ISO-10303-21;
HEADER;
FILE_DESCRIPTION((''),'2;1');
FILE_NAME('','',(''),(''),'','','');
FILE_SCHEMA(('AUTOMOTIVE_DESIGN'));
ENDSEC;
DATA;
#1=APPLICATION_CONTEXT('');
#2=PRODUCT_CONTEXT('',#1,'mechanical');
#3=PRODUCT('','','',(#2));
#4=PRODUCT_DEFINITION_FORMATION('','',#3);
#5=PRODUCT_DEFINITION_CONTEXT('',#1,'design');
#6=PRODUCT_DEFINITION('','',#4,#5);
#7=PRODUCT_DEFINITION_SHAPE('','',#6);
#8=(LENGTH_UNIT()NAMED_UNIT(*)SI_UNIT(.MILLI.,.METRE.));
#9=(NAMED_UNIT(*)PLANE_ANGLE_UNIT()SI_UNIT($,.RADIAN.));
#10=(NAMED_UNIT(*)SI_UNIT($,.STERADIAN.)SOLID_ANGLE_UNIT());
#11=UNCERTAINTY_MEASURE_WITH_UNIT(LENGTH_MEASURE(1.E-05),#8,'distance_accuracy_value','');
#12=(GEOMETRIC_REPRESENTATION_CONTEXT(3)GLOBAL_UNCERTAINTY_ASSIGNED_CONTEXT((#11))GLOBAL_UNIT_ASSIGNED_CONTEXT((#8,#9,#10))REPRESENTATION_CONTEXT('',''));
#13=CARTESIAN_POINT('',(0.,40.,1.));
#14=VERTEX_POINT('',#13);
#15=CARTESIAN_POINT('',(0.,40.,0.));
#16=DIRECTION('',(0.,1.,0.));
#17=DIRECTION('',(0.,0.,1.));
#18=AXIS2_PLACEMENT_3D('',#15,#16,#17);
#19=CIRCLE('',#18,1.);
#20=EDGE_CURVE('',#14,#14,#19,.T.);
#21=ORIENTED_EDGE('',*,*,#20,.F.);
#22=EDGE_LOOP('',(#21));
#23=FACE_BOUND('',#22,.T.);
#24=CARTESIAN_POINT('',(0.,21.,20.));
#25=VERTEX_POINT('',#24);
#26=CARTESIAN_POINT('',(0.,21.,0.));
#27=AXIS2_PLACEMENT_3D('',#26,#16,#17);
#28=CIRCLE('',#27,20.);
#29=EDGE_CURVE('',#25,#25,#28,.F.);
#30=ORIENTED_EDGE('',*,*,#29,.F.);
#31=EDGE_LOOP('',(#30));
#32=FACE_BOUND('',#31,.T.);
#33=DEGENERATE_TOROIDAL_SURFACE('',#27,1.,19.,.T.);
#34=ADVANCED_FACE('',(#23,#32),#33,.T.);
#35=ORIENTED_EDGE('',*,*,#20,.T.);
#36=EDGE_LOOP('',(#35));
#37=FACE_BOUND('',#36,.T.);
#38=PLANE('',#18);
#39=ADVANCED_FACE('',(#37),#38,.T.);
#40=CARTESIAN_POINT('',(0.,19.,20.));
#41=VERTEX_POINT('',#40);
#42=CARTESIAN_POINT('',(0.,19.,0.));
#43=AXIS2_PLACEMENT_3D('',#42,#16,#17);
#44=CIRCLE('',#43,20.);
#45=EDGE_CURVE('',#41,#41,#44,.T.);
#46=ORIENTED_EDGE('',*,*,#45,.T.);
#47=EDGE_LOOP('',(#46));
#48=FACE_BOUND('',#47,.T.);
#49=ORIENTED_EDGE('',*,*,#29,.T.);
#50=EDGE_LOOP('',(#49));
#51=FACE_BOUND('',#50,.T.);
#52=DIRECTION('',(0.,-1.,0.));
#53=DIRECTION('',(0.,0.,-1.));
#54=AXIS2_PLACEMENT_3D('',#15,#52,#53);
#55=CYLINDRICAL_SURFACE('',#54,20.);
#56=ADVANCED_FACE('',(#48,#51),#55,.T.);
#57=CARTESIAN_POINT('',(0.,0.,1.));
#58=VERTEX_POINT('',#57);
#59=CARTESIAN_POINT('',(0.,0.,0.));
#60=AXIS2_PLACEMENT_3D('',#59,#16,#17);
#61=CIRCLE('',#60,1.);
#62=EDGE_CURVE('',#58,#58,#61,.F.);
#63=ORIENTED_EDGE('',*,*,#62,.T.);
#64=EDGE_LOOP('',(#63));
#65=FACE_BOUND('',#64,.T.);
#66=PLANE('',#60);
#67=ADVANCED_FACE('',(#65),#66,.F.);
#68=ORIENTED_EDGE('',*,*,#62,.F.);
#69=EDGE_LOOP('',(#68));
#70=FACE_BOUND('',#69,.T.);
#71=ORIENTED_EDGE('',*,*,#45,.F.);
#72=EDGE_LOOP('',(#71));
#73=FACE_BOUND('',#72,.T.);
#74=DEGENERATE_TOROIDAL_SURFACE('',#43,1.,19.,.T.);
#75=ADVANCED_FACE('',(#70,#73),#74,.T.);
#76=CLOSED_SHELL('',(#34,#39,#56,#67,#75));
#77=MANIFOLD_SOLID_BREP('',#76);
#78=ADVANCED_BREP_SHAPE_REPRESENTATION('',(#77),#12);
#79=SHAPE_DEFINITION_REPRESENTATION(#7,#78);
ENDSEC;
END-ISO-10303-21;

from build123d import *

# Parameters (mm, degrees)
ESQUISSE1_R      = 20
EXTRUSION1_DEPTH = 40
CONG_1_R         = 19


with BuildPart() as part:
    # Esquisse1 → Extrusion1 (new body)
    with BuildSketch(Plane(origin=(0, 0, 0), x_dir=(1, 0, 0), z_dir=(0, 1, 0))):
        Circle(ESQUISSE1_R)
    extrude(amount=EXTRUSION1_DEPTH)

    # Congé1
    cong_1_edges = [part.edges().sort_by_distance(p)[0] for p in [
        (-20, 0, 0),
        (-20, 40, 0),
    ]]
    fillet(cong_1_edges, radius=CONG_1_R)


solid = part.part
